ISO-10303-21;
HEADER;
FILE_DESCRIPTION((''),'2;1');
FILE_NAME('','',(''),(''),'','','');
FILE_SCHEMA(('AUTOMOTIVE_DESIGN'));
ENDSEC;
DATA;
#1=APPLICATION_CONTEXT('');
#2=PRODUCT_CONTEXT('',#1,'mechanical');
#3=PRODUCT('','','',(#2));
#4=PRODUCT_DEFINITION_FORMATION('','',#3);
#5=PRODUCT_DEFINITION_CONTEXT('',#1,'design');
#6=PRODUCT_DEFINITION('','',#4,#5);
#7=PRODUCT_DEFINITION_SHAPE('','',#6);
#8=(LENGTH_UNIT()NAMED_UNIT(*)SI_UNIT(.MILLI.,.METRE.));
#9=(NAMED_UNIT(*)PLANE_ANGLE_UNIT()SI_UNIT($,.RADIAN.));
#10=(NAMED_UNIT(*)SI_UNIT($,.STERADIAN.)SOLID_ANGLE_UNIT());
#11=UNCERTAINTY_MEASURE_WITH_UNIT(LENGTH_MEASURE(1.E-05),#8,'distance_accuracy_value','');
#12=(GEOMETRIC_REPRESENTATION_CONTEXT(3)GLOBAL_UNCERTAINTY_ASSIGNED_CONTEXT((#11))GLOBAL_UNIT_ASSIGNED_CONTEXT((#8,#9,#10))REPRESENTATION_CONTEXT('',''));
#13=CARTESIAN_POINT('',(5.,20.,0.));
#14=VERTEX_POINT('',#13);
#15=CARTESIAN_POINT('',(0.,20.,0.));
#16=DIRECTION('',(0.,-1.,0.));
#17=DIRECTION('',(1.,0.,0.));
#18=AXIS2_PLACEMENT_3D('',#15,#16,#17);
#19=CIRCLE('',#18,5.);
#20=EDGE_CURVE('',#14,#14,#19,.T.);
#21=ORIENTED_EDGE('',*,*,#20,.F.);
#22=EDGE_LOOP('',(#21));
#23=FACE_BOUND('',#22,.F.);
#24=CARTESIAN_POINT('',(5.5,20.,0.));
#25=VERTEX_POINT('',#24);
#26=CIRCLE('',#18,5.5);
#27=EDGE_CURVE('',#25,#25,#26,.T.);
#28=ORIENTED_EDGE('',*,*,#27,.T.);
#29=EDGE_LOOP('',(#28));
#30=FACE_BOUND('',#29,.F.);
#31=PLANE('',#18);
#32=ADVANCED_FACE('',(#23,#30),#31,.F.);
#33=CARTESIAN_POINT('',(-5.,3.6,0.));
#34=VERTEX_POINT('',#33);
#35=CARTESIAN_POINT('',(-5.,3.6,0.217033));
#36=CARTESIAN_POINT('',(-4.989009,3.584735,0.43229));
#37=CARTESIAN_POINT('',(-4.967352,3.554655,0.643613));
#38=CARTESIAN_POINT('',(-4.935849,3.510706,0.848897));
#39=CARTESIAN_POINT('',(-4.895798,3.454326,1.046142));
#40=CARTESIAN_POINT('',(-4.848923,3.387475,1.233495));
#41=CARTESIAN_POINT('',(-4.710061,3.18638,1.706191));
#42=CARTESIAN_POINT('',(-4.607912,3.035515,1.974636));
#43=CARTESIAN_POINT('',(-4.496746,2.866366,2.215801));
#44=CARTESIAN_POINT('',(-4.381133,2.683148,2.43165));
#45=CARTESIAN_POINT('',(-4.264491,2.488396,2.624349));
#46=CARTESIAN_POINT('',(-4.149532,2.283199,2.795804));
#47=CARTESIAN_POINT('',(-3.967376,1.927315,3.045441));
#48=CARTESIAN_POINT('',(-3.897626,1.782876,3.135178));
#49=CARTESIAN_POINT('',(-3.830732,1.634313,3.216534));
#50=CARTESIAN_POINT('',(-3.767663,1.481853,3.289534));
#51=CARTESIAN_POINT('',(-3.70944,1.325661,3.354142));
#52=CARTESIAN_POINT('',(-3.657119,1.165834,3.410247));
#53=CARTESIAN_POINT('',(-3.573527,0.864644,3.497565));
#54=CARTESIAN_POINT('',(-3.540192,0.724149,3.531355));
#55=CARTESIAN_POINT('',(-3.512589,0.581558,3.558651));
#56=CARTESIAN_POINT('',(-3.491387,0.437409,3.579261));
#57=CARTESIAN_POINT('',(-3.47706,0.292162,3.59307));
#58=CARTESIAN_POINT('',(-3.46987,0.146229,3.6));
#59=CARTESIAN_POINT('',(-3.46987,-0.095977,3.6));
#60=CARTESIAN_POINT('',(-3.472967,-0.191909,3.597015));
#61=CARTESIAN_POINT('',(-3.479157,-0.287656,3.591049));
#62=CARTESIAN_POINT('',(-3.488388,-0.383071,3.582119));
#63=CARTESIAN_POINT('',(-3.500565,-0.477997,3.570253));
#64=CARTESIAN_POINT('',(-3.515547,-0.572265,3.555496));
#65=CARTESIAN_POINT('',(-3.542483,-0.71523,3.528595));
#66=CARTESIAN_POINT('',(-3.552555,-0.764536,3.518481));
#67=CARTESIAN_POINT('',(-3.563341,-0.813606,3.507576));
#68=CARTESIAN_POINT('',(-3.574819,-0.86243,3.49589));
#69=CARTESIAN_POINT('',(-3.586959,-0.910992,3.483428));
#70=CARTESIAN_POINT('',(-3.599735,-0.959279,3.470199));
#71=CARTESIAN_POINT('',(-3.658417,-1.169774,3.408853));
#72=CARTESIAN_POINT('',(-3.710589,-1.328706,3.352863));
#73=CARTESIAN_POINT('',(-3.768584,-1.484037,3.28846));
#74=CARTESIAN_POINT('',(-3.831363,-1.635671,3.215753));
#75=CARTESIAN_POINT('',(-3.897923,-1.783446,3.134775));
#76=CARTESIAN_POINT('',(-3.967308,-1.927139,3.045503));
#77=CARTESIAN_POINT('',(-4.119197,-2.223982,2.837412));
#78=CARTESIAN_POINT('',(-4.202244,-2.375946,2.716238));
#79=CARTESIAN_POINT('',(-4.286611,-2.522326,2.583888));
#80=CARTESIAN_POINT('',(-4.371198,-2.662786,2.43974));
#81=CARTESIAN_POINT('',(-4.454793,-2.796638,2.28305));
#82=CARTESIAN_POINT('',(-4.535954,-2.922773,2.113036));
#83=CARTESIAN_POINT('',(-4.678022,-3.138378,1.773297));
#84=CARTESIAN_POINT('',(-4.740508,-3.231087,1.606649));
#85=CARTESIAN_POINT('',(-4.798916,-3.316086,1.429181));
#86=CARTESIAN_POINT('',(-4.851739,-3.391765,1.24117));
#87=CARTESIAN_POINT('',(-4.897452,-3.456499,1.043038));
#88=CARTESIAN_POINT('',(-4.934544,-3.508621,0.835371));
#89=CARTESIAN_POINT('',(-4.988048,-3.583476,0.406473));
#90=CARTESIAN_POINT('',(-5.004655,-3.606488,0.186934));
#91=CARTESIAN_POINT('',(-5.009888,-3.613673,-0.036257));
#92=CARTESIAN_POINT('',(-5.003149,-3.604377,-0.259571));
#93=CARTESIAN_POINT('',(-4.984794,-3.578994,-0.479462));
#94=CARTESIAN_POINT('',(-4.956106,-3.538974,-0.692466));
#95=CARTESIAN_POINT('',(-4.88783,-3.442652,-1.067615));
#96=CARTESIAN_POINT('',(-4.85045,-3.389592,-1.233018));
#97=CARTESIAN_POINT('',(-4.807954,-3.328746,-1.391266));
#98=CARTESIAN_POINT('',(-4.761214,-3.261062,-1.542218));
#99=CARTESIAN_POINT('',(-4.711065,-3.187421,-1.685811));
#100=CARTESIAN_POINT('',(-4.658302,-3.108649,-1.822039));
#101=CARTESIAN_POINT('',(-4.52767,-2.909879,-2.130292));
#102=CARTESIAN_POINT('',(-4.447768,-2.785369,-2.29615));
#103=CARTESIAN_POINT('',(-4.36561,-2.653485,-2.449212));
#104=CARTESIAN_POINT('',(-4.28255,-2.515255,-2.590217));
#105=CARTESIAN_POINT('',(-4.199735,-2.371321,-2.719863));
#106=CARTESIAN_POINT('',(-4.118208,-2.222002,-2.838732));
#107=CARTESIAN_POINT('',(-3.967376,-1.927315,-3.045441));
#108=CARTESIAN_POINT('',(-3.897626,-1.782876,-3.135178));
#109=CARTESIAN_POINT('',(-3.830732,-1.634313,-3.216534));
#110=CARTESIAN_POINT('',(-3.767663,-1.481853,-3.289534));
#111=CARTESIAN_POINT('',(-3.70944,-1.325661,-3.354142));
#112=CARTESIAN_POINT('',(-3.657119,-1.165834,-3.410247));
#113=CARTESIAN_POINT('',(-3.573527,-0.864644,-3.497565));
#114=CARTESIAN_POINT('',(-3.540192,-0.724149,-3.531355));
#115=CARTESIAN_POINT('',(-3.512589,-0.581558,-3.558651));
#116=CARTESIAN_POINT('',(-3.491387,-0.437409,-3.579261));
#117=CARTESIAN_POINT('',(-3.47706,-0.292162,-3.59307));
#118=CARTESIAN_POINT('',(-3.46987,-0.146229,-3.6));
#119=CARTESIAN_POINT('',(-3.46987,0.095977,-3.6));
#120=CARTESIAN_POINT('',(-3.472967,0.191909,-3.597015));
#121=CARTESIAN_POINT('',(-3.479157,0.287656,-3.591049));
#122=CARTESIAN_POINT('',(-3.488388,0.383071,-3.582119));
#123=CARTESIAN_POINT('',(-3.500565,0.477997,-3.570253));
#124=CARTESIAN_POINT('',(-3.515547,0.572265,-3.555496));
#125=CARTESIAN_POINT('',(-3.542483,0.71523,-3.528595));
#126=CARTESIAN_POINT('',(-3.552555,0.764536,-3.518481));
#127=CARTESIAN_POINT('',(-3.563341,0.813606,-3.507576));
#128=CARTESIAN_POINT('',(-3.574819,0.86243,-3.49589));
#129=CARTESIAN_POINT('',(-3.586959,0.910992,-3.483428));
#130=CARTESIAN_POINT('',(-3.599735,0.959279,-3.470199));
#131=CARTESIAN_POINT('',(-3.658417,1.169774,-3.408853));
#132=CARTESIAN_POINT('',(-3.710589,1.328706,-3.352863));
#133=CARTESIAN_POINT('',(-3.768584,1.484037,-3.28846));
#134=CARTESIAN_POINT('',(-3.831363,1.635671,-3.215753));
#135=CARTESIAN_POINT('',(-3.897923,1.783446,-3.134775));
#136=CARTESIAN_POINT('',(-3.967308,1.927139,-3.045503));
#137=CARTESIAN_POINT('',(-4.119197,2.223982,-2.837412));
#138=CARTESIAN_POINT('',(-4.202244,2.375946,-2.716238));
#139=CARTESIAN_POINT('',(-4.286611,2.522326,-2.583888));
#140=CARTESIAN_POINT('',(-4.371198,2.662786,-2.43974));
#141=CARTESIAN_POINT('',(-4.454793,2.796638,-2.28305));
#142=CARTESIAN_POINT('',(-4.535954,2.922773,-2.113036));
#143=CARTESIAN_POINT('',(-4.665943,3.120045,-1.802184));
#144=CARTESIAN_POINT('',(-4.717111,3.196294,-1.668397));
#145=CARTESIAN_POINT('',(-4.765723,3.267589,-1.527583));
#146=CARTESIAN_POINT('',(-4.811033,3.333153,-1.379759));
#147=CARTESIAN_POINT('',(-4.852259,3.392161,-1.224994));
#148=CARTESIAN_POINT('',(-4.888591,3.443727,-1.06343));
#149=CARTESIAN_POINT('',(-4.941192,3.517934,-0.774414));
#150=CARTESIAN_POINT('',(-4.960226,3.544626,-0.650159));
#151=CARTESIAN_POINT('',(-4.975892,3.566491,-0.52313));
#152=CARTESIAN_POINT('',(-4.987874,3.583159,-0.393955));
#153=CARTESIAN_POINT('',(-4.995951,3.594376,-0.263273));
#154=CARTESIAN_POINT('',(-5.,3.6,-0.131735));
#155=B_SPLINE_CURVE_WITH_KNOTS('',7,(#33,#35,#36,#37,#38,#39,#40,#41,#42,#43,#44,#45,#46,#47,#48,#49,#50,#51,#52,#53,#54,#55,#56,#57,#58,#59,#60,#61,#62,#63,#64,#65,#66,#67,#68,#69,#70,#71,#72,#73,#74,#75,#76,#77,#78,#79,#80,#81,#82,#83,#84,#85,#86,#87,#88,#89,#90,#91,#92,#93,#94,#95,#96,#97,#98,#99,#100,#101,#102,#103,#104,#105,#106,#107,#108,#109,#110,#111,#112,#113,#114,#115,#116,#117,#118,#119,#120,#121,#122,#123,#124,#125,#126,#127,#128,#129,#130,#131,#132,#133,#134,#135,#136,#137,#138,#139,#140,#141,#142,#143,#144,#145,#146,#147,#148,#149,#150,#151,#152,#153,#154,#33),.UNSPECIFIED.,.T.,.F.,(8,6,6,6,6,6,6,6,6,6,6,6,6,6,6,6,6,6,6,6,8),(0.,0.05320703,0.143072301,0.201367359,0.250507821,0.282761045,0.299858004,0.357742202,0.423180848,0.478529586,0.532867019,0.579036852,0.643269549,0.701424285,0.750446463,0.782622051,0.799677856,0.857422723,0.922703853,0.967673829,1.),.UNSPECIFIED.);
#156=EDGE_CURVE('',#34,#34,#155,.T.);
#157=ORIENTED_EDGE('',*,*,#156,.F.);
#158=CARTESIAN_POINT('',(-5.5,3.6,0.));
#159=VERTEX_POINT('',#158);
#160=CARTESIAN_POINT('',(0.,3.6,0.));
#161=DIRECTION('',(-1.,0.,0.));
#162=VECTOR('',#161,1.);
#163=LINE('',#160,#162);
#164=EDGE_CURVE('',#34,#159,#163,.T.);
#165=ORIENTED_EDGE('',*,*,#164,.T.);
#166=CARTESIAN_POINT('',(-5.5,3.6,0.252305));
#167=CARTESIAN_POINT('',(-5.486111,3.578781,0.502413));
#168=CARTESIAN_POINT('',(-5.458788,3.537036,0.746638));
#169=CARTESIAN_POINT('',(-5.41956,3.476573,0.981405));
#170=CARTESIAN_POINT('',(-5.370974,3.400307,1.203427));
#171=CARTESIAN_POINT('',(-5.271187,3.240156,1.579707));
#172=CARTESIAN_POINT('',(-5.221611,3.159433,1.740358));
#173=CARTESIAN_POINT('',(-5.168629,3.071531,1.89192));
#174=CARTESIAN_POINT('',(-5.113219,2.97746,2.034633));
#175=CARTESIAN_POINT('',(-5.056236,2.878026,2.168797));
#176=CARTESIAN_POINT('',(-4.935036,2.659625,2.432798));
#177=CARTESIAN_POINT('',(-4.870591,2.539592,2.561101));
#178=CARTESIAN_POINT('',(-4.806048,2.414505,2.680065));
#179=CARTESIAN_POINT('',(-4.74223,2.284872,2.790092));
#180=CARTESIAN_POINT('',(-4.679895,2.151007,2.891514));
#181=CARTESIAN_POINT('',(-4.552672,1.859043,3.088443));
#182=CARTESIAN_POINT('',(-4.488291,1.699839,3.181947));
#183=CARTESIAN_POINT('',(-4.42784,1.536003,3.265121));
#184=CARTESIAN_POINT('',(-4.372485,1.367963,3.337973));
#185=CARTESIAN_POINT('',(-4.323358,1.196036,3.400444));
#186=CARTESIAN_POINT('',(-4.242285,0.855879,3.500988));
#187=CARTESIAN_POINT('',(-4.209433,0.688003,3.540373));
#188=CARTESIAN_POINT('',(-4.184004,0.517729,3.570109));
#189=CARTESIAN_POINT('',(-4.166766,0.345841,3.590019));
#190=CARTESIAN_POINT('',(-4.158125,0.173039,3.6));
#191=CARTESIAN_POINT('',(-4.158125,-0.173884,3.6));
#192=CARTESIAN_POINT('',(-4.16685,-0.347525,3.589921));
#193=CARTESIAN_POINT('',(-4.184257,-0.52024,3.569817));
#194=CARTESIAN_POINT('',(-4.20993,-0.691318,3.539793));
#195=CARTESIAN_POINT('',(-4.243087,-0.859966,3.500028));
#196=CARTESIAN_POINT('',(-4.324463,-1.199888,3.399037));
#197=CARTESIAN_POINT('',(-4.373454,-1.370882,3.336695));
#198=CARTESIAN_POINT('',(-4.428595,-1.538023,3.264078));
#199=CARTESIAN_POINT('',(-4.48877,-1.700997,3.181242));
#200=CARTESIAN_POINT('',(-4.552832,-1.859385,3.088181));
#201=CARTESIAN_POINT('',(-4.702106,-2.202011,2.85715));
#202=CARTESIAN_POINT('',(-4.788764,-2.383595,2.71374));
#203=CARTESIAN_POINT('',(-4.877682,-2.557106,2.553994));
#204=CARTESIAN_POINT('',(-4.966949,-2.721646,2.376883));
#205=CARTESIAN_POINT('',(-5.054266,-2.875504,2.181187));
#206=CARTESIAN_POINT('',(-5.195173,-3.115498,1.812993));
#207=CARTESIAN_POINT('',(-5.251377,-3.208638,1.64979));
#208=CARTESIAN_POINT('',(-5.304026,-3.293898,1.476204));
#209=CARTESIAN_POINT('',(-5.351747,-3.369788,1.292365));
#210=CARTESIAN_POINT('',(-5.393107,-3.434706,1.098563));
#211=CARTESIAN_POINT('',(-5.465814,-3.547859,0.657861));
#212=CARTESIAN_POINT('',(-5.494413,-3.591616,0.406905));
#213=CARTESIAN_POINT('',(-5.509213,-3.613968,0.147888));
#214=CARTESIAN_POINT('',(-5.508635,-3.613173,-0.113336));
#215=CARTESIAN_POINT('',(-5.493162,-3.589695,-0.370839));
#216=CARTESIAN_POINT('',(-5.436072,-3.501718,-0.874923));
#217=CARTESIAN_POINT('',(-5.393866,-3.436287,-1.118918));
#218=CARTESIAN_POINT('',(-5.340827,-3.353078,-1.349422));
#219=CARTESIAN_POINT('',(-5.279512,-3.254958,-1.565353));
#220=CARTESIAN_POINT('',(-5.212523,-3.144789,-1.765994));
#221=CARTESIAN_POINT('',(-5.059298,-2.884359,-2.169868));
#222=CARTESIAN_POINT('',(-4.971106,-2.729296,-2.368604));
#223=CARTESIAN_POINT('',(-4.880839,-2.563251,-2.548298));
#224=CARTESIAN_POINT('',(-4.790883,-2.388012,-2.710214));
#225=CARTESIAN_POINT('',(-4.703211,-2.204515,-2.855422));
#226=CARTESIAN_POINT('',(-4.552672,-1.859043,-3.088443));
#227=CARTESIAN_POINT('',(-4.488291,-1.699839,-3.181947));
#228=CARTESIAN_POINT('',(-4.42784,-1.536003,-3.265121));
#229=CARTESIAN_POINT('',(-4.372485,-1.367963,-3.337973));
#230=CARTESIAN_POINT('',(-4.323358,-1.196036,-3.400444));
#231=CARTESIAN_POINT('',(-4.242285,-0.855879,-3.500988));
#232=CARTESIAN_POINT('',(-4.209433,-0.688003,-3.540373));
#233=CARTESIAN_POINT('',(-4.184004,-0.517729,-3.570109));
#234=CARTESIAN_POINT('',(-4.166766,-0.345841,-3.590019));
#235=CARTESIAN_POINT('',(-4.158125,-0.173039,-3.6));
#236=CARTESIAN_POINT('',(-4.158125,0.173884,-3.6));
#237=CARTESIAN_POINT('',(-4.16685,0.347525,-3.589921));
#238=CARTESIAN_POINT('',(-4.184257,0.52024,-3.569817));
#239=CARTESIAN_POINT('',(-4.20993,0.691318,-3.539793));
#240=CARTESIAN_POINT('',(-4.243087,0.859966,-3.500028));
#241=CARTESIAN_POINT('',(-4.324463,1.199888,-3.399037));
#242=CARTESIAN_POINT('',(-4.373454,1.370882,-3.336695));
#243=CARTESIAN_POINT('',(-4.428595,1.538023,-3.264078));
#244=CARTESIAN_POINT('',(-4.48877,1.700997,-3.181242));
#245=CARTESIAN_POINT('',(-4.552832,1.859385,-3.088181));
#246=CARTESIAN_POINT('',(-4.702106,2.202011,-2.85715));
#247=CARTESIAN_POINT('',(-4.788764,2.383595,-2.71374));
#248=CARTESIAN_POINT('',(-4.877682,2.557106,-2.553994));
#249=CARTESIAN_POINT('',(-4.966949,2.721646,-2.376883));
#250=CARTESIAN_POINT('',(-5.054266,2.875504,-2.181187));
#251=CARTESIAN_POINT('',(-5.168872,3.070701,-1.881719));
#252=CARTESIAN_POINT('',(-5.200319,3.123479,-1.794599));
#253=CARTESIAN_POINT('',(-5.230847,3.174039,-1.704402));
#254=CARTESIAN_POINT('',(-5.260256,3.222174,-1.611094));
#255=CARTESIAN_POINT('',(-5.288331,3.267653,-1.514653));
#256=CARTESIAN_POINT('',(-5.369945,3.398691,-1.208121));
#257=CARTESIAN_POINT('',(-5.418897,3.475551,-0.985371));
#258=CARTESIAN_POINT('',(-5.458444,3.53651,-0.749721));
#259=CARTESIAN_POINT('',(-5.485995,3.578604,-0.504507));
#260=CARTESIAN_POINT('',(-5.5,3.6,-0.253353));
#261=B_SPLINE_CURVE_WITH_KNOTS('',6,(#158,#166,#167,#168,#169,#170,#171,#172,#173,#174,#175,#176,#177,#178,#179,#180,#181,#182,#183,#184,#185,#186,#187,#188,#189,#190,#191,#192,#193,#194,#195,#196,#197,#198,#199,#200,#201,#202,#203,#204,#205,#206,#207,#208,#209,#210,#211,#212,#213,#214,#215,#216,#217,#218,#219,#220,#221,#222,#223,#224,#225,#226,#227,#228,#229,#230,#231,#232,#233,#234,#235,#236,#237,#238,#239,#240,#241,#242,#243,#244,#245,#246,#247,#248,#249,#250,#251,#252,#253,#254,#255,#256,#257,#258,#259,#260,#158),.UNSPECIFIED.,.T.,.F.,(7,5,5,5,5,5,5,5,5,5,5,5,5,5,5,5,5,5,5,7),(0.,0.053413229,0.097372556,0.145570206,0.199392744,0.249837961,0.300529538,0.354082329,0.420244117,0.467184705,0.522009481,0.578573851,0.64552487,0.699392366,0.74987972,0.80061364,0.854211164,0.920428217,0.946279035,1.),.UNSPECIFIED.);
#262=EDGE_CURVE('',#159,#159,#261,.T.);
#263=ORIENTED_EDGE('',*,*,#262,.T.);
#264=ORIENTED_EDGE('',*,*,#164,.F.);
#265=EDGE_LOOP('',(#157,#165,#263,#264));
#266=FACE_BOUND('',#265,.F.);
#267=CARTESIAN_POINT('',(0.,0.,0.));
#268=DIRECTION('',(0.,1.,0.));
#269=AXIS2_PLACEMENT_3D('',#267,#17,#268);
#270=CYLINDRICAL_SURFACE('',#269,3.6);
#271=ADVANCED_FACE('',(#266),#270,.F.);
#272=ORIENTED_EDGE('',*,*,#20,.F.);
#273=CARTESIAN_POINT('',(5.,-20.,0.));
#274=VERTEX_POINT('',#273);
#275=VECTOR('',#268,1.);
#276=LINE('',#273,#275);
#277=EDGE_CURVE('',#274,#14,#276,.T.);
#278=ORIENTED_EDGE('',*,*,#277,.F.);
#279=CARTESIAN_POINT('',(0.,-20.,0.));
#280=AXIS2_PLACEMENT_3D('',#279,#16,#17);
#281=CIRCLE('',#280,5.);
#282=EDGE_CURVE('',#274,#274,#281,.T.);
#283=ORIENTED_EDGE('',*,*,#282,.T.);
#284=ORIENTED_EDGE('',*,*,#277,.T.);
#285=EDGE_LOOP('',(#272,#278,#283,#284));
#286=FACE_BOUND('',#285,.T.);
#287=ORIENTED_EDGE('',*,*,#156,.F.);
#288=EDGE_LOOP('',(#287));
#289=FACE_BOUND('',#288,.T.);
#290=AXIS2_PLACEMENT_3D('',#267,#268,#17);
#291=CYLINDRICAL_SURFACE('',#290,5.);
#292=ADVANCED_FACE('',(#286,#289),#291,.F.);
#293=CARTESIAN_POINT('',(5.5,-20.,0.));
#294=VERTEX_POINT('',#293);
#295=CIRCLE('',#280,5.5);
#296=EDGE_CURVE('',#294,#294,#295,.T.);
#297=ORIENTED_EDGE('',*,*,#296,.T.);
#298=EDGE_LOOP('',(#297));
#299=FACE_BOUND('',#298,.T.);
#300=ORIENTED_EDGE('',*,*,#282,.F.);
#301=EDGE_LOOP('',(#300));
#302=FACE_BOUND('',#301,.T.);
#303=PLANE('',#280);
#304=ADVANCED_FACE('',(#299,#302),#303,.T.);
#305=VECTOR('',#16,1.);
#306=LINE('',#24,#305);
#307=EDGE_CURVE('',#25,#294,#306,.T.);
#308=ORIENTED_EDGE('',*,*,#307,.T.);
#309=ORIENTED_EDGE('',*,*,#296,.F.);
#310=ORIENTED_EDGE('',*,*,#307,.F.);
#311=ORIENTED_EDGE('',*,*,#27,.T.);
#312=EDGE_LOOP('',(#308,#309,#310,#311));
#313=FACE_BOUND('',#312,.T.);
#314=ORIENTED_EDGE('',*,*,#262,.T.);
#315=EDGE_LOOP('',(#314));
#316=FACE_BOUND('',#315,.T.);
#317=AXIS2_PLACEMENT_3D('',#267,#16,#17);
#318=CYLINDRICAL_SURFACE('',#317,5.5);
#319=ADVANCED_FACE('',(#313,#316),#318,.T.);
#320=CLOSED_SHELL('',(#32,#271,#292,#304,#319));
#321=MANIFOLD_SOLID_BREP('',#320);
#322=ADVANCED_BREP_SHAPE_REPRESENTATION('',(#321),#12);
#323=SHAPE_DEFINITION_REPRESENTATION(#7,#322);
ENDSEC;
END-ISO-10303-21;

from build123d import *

# Parameters (mm, degrees)
F0_R     = 5.5
F0_R_2   = 5
F1_DEPTH = 20
F2_R     = 3.6
F3_DEPTH = 25


with BuildPart() as f1:
    # F0 (on Front) → F1 (new body, symmetric)
    with BuildSketch(Plane.XZ):
        Circle(F0_R)
        Circle(F0_R_2, mode=Mode.SUBTRACT)
    extrude(amount=F1_DEPTH, both=True)

    # F2 (on Right) → F3 (cut)
    with BuildSketch(Plane.YZ):
        Circle(F2_R)
    extrude(amount=-F3_DEPTH, mode=Mode.SUBTRACT)


solid = f1.part
